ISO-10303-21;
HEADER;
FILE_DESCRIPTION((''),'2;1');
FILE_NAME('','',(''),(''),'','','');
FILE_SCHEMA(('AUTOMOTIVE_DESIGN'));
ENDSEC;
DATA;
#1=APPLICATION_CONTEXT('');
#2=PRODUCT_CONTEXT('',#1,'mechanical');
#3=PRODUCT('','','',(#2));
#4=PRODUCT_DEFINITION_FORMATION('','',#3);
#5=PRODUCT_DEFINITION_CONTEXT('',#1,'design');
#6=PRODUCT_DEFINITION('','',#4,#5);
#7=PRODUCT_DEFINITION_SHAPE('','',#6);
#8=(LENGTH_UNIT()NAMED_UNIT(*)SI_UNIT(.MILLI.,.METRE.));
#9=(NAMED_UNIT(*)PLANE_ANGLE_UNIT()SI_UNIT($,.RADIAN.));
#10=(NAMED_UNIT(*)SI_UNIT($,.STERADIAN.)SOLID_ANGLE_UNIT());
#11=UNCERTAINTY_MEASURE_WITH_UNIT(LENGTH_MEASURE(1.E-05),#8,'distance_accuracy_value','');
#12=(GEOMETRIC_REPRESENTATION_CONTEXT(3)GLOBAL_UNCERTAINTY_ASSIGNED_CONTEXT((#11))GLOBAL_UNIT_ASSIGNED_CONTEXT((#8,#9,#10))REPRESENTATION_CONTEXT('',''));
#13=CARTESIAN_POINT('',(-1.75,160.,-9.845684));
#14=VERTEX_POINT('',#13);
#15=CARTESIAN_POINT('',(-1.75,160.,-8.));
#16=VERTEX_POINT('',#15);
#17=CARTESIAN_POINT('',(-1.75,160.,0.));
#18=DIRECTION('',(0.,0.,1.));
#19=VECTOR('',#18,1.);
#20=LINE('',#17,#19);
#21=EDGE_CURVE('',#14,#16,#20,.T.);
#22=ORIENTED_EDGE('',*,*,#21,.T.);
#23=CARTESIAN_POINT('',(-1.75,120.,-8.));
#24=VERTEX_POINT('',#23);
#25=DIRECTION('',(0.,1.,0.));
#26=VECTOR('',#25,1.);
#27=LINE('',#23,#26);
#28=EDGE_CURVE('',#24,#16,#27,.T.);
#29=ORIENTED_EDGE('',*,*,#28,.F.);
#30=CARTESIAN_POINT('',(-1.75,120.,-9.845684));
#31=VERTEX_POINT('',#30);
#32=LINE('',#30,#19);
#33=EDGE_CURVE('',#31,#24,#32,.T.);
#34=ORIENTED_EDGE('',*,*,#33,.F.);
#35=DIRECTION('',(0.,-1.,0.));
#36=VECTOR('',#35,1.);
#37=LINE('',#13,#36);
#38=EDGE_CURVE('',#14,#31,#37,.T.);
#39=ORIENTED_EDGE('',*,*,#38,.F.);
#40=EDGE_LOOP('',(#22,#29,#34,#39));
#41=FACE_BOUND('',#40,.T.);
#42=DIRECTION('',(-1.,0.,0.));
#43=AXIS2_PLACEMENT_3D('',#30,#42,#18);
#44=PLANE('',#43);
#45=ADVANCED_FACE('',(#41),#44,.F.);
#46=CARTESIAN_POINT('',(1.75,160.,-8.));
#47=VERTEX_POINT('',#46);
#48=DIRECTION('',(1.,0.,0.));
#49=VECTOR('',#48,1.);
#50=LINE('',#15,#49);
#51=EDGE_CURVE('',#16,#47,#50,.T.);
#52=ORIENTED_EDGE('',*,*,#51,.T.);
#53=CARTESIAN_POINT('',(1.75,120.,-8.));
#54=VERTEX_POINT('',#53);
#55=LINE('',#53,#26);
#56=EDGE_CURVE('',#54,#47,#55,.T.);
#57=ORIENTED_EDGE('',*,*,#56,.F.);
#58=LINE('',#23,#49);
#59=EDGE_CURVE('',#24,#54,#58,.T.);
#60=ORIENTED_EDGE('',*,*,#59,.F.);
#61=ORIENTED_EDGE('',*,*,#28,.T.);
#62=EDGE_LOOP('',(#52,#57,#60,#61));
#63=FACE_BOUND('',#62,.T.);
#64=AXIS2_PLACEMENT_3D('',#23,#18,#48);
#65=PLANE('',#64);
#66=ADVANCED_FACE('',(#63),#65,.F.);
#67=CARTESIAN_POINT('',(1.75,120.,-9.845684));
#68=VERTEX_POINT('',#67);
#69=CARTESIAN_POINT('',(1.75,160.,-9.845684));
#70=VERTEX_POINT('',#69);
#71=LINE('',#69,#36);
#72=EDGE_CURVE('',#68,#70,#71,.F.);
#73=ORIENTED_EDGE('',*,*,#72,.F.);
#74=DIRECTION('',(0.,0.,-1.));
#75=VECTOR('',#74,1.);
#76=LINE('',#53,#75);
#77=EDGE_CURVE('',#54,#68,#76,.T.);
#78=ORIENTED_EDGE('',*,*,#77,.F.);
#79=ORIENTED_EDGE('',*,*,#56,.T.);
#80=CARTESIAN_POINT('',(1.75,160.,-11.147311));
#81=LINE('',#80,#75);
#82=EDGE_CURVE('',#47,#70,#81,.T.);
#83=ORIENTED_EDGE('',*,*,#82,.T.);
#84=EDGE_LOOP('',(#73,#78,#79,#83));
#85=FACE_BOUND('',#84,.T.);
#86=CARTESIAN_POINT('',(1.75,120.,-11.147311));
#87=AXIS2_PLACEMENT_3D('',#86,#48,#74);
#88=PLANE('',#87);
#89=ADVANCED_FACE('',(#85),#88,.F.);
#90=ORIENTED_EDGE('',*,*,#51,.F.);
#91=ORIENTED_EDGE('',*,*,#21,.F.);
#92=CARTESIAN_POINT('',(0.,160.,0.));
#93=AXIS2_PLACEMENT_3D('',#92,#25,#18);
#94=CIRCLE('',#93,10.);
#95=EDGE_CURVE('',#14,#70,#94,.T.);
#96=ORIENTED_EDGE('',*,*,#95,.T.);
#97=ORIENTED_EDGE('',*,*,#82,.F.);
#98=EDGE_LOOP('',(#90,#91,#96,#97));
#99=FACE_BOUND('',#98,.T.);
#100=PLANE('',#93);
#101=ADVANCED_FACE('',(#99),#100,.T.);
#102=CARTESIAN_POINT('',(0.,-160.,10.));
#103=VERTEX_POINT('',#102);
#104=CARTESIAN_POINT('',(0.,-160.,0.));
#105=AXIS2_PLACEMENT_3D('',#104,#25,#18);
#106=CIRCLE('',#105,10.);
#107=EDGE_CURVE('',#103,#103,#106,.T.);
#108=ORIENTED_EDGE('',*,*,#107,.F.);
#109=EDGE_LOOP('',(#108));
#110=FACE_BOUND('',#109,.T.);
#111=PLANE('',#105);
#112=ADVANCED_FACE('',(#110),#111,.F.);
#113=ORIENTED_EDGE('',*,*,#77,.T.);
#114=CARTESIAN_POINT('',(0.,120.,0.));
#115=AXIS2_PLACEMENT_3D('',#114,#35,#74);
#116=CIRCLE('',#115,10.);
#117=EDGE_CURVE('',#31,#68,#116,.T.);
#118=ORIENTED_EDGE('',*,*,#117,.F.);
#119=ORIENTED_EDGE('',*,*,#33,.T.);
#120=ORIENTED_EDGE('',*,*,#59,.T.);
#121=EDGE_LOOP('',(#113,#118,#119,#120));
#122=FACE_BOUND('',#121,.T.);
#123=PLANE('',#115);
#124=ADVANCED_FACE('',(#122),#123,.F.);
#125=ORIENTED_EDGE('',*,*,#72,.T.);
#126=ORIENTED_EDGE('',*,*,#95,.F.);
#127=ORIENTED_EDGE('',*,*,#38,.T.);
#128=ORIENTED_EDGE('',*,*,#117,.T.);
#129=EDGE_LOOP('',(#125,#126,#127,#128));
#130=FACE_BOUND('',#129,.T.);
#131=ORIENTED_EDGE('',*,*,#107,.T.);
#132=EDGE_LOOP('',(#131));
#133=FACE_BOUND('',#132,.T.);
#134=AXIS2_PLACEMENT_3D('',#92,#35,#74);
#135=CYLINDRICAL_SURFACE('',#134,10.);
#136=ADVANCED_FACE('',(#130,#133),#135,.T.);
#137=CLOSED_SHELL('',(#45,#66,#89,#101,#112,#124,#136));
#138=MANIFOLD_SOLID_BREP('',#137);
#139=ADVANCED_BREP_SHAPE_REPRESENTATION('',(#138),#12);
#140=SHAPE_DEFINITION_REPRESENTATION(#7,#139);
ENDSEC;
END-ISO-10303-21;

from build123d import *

# Parameters (mm, degrees)
SKETCH1_R           = 10
BOSS_EXTRUDE1_DEPTH = 160
CUT_EXTRUDE1_DEPTH  = 40


with BuildPart() as part:
    # Sketch1 → Boss-Extrude1 (new, symmetric)
    with BuildSketch(Plane(origin=(0, 0, 0), x_dir=(1, 0, 0), z_dir=(0, 1, 0))):
        with Locations(Location((0, 0, 0), (0, 0, 270))):
            Circle(SKETCH1_R)
    extrude(amount=BOSS_EXTRUDE1_DEPTH, both=True)

    # Sketch2 → Cut-Extrude1 (cut)
    with BuildSketch(Plane(origin=(0, 160, 0), x_dir=(1, 0, 0), z_dir=(0, 1, 0))):
        Polygon((-1.75, 9.845684334), (-1.75, 8), (1.75, 8), (1.75, 9.845684334), (1.75, 11.147310955), (-1.75, 11.147310955), align=None)
    extrude(amount=-CUT_EXTRUDE1_DEPTH, mode=Mode.SUBTRACT)


solid = part.part
